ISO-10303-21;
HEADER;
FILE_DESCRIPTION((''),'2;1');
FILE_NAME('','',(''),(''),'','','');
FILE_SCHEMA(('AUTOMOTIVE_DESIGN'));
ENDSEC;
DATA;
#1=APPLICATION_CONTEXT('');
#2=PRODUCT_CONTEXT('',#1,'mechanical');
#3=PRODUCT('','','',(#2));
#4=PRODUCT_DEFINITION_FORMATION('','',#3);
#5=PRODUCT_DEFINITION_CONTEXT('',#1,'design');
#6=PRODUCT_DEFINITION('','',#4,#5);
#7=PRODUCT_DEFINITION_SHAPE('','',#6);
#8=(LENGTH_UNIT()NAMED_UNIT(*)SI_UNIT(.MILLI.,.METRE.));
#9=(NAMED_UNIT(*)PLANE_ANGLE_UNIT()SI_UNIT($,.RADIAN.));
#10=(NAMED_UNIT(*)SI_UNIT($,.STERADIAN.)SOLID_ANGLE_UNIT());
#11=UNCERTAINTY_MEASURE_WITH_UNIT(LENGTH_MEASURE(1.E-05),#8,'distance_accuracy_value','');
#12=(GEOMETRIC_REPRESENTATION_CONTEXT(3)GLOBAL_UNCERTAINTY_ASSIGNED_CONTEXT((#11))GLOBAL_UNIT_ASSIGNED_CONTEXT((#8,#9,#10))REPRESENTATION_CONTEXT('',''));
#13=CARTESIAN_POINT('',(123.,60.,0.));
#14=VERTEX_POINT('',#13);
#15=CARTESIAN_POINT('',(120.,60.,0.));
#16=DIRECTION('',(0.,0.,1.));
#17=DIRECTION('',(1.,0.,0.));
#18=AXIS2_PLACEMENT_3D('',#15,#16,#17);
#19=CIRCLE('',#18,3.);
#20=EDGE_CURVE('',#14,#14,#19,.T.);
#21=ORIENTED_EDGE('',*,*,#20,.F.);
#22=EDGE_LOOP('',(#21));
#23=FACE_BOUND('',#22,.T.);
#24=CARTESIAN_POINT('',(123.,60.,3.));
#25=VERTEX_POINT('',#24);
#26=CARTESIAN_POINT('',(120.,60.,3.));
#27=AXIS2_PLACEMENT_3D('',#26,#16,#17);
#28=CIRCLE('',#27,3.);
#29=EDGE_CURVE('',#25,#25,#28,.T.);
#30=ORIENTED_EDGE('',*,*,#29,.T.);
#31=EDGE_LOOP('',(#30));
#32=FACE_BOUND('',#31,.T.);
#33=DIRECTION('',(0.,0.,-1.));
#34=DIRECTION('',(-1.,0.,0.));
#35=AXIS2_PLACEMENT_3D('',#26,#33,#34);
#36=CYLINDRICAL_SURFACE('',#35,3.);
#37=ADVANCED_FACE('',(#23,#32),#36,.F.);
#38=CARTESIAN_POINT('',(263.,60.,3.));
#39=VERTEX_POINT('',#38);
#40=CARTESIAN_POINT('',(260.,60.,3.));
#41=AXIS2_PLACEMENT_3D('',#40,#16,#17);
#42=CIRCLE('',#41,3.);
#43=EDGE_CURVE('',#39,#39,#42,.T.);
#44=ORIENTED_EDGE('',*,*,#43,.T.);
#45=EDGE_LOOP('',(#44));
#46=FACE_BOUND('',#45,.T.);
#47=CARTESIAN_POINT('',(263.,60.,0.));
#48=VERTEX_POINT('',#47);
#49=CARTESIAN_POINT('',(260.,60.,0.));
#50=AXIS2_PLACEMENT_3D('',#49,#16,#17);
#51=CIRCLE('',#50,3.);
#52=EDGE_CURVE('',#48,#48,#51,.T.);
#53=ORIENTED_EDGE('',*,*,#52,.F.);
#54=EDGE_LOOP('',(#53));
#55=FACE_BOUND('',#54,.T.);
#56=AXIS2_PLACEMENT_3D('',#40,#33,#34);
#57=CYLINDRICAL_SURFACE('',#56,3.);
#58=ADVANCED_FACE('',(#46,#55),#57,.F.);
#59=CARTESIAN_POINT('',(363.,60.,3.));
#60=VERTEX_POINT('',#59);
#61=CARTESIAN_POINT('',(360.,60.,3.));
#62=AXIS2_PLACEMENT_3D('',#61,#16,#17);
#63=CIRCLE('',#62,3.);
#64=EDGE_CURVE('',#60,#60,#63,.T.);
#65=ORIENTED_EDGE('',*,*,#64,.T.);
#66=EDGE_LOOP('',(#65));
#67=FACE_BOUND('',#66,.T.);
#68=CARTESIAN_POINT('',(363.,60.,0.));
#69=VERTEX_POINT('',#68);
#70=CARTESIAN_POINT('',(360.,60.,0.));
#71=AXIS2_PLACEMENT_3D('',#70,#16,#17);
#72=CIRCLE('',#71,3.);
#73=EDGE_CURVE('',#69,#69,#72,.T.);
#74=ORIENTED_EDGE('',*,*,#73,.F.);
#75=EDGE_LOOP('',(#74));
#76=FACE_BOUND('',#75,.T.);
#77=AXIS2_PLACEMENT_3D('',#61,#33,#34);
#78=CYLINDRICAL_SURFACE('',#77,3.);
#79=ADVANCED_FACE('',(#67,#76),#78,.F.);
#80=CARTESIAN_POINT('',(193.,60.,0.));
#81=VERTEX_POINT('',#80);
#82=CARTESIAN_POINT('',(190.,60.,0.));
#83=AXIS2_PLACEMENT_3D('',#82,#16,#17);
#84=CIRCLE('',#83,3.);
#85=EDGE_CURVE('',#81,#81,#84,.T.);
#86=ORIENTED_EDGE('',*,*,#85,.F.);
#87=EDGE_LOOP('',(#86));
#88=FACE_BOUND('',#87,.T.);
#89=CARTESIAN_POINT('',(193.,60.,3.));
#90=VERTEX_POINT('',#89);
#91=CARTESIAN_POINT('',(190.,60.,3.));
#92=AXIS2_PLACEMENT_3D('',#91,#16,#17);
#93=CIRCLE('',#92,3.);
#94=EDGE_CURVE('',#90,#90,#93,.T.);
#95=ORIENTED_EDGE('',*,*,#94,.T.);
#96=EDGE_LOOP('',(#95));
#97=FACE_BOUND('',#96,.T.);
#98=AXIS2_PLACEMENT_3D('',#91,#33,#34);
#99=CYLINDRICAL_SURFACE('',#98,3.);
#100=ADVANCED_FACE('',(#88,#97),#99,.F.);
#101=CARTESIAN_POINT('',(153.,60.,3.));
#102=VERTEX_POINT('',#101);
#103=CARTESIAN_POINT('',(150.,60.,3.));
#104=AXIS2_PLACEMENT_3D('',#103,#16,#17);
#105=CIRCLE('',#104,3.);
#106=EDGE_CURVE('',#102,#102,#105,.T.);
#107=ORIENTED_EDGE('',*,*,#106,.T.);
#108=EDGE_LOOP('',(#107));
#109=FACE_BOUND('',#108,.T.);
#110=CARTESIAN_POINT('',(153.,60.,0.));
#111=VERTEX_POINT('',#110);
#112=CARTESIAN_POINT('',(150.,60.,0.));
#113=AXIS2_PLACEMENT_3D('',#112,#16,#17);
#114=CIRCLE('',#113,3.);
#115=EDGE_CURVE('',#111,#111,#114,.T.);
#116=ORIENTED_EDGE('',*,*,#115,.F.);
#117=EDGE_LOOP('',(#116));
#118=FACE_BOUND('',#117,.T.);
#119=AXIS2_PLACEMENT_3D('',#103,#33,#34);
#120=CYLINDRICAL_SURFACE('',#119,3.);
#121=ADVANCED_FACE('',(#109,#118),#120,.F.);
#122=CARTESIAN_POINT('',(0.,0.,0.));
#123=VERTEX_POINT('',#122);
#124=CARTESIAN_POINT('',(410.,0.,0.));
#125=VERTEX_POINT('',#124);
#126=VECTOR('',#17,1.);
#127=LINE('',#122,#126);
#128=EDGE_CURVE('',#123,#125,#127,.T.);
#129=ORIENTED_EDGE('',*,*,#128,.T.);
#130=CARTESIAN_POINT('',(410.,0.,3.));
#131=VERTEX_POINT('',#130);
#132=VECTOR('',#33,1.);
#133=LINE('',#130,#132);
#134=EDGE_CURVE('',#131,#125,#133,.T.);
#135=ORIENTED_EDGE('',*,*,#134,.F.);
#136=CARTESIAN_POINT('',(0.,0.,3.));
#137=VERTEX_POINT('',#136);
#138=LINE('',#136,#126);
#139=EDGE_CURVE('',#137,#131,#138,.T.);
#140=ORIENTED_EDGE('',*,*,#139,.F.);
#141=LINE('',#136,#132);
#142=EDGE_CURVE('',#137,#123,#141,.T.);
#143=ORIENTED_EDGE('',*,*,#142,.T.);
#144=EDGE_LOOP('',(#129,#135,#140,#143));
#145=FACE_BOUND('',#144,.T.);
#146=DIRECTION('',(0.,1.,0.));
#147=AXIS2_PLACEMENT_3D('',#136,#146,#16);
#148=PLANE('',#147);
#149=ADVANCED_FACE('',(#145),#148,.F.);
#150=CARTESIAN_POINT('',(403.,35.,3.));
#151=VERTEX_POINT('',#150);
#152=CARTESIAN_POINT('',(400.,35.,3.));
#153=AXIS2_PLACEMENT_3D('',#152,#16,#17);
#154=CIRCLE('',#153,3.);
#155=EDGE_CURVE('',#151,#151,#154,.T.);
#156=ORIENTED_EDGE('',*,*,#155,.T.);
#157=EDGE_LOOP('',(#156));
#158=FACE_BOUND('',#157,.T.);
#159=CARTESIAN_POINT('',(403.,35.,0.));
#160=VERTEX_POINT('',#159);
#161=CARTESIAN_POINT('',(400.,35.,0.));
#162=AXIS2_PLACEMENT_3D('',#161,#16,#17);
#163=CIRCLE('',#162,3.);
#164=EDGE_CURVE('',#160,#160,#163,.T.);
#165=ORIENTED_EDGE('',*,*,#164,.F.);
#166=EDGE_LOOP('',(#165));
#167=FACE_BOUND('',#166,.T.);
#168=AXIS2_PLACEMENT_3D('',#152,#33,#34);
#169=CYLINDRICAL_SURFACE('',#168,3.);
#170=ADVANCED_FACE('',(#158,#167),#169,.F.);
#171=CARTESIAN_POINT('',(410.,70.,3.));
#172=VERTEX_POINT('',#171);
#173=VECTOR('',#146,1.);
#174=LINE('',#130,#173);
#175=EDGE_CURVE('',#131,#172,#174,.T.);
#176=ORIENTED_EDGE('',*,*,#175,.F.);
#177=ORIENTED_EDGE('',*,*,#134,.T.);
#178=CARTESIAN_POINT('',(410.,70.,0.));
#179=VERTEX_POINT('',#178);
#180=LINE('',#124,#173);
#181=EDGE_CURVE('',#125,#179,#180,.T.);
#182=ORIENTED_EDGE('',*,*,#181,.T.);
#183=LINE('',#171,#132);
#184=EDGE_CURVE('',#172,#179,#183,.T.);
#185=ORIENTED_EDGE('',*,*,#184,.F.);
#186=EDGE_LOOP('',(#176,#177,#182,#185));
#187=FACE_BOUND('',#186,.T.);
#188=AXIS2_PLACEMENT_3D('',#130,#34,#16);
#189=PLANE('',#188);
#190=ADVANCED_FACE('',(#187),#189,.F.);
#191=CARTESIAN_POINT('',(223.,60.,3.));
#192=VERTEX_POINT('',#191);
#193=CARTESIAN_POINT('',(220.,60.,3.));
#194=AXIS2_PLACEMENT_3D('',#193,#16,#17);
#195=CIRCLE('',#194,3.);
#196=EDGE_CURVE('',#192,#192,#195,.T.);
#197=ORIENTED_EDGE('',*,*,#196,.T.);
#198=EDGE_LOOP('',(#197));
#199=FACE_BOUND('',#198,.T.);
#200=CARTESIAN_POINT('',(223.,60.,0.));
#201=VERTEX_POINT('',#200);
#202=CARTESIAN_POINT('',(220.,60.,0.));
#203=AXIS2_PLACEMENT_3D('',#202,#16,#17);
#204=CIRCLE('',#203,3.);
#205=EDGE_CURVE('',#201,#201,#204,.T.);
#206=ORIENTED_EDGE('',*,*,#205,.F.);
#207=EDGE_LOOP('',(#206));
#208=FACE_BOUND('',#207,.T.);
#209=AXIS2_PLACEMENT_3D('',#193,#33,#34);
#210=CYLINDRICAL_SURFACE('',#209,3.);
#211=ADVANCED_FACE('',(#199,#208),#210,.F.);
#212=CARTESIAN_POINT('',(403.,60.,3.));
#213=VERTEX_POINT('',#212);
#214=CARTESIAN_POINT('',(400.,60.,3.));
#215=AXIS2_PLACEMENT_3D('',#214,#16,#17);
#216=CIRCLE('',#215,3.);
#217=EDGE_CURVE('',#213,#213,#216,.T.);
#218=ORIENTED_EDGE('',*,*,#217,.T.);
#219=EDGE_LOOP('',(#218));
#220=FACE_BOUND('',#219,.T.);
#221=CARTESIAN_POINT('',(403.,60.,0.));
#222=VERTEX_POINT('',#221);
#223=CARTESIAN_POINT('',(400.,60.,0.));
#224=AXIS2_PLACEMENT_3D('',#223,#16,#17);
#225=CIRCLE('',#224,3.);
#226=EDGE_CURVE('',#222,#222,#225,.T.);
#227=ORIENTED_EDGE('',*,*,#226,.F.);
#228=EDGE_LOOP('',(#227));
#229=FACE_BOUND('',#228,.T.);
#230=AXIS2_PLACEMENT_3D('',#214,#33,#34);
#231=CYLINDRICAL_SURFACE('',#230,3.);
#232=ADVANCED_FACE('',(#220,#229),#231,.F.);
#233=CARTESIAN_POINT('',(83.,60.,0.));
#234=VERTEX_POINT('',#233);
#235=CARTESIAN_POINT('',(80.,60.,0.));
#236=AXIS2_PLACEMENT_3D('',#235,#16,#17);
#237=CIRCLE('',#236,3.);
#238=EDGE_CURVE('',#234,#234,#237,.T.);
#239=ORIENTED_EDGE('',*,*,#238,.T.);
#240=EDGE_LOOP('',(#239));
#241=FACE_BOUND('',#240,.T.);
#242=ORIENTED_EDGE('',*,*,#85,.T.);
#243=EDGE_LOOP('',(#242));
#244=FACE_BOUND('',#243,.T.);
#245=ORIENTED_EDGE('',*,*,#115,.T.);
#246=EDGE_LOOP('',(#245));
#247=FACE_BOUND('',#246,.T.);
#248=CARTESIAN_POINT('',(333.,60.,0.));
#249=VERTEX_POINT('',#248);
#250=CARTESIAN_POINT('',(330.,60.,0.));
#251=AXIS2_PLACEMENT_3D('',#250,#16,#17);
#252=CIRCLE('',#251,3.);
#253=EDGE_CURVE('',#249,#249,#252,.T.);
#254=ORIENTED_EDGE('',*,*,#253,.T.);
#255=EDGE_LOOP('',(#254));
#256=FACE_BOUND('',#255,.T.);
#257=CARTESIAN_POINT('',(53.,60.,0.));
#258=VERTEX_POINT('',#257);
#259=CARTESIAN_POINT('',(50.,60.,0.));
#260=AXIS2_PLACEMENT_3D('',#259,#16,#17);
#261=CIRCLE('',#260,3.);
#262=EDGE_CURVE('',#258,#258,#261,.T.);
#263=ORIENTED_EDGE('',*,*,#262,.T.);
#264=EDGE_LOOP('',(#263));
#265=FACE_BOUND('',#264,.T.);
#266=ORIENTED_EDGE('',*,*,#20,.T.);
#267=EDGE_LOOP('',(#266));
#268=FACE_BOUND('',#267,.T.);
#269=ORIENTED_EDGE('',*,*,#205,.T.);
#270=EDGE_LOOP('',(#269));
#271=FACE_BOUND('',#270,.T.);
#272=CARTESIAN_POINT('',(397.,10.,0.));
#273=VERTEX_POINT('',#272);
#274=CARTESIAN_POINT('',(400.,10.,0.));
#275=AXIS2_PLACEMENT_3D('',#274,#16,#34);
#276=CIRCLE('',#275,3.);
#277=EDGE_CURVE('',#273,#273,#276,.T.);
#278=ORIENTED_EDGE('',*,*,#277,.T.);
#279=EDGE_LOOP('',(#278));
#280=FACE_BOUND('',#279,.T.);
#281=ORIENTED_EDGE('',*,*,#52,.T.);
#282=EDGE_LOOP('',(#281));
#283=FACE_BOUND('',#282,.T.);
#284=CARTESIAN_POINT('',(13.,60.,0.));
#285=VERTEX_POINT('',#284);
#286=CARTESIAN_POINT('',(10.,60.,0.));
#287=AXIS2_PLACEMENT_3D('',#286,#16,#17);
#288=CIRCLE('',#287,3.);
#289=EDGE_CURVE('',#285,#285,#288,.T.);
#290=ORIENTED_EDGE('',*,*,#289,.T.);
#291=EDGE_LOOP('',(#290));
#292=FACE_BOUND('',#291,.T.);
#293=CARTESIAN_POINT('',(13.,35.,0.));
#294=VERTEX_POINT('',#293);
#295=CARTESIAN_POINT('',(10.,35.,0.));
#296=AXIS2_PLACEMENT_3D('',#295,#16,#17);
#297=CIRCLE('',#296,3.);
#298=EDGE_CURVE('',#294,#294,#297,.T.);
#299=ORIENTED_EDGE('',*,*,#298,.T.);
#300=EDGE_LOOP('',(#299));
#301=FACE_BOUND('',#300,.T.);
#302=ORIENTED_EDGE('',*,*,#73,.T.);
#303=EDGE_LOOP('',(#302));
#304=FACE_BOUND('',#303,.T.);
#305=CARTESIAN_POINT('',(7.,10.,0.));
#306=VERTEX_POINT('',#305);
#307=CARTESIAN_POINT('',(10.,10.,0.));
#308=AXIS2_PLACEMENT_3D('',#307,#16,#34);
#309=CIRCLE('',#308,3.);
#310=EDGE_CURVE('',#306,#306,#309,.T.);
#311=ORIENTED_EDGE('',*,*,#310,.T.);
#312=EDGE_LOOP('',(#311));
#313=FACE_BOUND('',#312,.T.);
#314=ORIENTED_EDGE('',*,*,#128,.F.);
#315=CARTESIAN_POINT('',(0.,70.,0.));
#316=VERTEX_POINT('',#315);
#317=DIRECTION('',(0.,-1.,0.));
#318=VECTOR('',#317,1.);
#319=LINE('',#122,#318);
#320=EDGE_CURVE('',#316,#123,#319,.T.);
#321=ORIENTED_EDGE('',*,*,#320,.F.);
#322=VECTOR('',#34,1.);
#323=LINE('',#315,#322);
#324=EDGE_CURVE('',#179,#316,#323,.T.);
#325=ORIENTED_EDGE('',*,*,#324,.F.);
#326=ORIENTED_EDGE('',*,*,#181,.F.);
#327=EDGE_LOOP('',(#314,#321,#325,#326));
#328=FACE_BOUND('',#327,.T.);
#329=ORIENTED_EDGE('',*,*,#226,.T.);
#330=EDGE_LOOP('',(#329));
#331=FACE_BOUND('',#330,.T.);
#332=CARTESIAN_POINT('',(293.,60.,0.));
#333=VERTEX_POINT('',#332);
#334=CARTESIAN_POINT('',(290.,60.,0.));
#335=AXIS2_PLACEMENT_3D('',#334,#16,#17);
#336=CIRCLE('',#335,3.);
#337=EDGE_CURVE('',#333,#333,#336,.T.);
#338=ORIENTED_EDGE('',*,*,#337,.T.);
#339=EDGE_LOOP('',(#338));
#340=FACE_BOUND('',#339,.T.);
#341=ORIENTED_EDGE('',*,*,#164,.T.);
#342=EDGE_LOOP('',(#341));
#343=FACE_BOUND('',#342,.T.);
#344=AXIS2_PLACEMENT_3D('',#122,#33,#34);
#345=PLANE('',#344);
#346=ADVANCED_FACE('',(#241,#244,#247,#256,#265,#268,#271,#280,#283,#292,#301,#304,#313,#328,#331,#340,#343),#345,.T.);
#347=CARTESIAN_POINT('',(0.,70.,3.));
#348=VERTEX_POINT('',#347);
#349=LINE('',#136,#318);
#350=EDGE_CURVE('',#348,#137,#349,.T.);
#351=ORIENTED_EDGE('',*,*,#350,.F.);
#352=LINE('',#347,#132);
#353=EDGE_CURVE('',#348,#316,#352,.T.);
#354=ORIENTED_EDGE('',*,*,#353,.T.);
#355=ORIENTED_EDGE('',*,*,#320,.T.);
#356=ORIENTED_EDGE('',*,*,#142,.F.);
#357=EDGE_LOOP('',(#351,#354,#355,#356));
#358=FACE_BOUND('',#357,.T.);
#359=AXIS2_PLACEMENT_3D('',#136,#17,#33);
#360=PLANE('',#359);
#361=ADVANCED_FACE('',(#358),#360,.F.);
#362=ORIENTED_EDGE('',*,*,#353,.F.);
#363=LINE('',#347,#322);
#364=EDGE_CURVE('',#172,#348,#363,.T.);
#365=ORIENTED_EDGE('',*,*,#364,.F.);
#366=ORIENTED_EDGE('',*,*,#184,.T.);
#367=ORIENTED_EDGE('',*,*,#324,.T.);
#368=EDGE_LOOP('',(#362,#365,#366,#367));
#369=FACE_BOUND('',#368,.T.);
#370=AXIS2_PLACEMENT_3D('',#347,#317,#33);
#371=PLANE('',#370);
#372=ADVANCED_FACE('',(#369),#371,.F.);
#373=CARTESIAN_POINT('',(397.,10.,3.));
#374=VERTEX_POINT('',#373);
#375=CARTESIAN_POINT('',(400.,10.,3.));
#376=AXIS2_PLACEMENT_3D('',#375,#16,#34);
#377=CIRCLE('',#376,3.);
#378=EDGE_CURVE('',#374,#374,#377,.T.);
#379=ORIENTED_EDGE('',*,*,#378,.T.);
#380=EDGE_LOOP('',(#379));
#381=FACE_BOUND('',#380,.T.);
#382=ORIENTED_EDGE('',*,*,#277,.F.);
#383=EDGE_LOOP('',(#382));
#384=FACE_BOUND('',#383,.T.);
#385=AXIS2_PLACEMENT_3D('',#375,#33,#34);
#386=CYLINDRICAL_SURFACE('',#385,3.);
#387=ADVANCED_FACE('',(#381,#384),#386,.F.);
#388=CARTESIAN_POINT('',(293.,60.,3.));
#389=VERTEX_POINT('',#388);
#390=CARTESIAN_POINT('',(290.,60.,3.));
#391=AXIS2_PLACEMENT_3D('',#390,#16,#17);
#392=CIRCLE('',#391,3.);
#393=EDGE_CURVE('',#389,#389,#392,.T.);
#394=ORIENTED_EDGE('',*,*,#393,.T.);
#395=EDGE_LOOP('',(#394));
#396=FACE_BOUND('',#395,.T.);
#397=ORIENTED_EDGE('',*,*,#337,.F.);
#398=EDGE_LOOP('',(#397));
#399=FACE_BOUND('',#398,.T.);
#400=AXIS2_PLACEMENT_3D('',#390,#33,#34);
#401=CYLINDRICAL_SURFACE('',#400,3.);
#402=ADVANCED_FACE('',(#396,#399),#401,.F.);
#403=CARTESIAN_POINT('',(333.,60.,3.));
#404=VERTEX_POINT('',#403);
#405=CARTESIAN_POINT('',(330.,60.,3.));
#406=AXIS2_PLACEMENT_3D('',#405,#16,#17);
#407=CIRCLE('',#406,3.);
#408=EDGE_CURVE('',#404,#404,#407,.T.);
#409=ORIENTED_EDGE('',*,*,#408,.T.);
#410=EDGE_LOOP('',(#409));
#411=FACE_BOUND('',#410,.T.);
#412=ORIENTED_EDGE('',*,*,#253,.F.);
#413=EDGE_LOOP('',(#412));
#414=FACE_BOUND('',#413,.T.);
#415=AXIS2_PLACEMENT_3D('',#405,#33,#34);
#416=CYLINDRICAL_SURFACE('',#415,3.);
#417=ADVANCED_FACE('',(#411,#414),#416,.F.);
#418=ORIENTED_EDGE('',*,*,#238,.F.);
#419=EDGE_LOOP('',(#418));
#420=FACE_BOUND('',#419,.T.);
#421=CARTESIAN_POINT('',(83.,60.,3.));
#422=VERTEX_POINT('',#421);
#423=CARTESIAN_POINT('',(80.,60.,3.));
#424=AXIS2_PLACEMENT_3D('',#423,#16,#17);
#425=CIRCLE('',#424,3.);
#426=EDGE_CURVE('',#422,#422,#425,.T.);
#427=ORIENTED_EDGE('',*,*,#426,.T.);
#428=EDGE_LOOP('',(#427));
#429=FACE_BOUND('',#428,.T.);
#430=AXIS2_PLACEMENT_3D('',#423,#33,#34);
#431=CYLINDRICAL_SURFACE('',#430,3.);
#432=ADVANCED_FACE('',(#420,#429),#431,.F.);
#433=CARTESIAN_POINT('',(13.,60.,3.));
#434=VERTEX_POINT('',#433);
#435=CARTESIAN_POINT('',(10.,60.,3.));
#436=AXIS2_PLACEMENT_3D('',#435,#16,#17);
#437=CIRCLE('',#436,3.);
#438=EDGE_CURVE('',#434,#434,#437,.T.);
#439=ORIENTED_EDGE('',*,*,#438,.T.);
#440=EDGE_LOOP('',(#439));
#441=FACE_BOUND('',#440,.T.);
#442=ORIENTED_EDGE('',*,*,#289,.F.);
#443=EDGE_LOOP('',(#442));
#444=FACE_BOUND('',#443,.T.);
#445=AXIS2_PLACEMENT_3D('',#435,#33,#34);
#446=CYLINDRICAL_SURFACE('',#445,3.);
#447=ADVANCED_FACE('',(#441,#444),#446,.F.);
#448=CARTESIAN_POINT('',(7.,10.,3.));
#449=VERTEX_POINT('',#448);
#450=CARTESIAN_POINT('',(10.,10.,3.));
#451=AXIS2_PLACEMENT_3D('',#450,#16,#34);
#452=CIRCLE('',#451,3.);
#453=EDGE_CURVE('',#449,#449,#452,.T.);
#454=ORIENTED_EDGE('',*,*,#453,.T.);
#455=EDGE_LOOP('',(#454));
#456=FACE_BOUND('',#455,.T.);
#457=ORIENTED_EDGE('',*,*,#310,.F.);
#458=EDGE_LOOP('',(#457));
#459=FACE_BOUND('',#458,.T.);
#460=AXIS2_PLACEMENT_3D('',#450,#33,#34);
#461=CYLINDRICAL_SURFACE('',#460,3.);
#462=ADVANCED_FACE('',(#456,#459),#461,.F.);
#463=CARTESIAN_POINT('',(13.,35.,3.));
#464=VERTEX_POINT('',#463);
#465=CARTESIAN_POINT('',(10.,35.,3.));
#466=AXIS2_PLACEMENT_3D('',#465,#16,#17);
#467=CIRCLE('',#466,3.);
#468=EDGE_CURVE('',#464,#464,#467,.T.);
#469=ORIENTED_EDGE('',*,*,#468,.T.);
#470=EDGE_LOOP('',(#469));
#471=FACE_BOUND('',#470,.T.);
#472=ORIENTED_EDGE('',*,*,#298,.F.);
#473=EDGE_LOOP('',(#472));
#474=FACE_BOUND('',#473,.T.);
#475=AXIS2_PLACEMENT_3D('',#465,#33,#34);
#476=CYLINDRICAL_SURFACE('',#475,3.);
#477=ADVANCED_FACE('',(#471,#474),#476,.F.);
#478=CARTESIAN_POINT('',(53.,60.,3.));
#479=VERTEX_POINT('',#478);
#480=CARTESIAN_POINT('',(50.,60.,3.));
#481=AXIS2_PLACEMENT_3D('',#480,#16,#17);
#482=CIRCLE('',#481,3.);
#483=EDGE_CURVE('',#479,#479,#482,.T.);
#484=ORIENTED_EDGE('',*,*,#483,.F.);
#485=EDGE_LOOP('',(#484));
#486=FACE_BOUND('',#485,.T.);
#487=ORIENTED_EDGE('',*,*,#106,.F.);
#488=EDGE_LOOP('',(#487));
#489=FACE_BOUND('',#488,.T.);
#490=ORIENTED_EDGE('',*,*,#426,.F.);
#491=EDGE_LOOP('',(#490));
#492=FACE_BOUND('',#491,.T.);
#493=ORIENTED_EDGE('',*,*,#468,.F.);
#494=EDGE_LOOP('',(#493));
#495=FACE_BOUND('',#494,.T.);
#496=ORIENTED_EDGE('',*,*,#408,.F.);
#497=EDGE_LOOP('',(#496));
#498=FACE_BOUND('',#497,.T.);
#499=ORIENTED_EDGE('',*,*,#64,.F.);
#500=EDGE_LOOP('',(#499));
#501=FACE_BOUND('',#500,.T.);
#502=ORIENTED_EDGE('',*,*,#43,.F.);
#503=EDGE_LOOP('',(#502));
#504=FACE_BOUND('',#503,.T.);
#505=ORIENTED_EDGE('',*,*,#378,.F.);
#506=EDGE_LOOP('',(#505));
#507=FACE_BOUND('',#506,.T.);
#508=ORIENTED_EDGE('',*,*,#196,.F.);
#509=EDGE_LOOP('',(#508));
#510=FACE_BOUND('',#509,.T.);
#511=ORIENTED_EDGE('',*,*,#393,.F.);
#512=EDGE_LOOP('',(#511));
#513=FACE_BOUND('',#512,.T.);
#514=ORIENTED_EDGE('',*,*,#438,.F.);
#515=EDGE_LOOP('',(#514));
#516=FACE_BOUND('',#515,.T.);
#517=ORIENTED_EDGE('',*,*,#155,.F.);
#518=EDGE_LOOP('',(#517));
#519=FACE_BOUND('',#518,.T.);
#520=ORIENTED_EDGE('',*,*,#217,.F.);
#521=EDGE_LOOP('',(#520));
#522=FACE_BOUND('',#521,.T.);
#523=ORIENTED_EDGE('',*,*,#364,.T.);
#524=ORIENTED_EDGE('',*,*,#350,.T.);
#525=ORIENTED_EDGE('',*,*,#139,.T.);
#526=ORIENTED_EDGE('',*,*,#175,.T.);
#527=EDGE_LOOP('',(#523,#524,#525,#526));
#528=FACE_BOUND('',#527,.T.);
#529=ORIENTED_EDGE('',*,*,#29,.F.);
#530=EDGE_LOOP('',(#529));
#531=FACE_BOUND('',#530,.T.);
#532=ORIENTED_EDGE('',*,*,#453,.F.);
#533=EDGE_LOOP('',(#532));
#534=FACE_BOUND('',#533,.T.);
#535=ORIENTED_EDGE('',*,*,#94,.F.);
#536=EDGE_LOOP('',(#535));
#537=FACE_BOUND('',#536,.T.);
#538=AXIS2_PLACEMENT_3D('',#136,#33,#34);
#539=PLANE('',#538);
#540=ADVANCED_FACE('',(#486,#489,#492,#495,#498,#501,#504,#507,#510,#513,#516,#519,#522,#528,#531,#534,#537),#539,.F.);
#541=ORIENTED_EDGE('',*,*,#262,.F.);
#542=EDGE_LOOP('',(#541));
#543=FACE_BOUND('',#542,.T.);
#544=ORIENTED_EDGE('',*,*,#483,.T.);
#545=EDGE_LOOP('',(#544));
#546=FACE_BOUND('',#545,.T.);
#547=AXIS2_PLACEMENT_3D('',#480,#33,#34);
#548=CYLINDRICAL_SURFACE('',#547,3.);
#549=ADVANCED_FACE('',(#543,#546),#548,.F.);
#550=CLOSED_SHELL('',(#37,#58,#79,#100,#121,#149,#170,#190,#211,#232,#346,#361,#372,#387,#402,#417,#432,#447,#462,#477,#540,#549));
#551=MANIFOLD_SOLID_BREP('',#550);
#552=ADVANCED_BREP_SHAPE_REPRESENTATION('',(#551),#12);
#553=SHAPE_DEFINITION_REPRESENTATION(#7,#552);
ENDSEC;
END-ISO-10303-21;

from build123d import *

# Parameters (mm, degrees)
SKETCH_1_W      = 410
SKETCH_1_H      = 70
SKETCH_1_R      = 3
EXTRUDE_1_DEPTH = 3


with BuildPart() as part:
    # 草图1 → 凸台-拉伸1 (new body)
    with BuildSketch(Plane.XY):
        with Locations((205, 35)):
            Rectangle(SKETCH_1_W, SKETCH_1_H)
        with Locations((10, 60)):
            Circle(SKETCH_1_R, mode=Mode.SUBTRACT)
        with Locations((50, 60)):
            Circle(SKETCH_1_R, mode=Mode.SUBTRACT)
        with Locations((80, 60)):
            Circle(SKETCH_1_R, mode=Mode.SUBTRACT)
        with Locations((120, 60)):
            Circle(SKETCH_1_R, mode=Mode.SUBTRACT)
        with Locations((150, 60)):
            Circle(SKETCH_1_R, mode=Mode.SUBTRACT)
        with Locations((190, 60)):
            Circle(SKETCH_1_R, mode=Mode.SUBTRACT)
        with Locations((220, 60)):
            Circle(SKETCH_1_R, mode=Mode.SUBTRACT)
        with Locations((260, 60)):
            Circle(SKETCH_1_R, mode=Mode.SUBTRACT)
        with Locations((290, 60)):
            Circle(SKETCH_1_R, mode=Mode.SUBTRACT)
        with Locations((330, 60)):
            Circle(SKETCH_1_R, mode=Mode.SUBTRACT)
        with Locations((360, 60)):
            Circle(SKETCH_1_R, mode=Mode.SUBTRACT)
        with Locations((400, 60)):
            Circle(SKETCH_1_R, mode=Mode.SUBTRACT)
        with Locations((400, 10)):
            Circle(SKETCH_1_R, mode=Mode.SUBTRACT)
        with Locations((10, 10)):
            Circle(SKETCH_1_R, mode=Mode.SUBTRACT)
        with Locations((400, 35)):
            Circle(SKETCH_1_R, mode=Mode.SUBTRACT)
        with Locations((10, 35)):
            Circle(SKETCH_1_R, mode=Mode.SUBTRACT)
    extrude(amount=EXTRUDE_1_DEPTH)


solid = part.part
